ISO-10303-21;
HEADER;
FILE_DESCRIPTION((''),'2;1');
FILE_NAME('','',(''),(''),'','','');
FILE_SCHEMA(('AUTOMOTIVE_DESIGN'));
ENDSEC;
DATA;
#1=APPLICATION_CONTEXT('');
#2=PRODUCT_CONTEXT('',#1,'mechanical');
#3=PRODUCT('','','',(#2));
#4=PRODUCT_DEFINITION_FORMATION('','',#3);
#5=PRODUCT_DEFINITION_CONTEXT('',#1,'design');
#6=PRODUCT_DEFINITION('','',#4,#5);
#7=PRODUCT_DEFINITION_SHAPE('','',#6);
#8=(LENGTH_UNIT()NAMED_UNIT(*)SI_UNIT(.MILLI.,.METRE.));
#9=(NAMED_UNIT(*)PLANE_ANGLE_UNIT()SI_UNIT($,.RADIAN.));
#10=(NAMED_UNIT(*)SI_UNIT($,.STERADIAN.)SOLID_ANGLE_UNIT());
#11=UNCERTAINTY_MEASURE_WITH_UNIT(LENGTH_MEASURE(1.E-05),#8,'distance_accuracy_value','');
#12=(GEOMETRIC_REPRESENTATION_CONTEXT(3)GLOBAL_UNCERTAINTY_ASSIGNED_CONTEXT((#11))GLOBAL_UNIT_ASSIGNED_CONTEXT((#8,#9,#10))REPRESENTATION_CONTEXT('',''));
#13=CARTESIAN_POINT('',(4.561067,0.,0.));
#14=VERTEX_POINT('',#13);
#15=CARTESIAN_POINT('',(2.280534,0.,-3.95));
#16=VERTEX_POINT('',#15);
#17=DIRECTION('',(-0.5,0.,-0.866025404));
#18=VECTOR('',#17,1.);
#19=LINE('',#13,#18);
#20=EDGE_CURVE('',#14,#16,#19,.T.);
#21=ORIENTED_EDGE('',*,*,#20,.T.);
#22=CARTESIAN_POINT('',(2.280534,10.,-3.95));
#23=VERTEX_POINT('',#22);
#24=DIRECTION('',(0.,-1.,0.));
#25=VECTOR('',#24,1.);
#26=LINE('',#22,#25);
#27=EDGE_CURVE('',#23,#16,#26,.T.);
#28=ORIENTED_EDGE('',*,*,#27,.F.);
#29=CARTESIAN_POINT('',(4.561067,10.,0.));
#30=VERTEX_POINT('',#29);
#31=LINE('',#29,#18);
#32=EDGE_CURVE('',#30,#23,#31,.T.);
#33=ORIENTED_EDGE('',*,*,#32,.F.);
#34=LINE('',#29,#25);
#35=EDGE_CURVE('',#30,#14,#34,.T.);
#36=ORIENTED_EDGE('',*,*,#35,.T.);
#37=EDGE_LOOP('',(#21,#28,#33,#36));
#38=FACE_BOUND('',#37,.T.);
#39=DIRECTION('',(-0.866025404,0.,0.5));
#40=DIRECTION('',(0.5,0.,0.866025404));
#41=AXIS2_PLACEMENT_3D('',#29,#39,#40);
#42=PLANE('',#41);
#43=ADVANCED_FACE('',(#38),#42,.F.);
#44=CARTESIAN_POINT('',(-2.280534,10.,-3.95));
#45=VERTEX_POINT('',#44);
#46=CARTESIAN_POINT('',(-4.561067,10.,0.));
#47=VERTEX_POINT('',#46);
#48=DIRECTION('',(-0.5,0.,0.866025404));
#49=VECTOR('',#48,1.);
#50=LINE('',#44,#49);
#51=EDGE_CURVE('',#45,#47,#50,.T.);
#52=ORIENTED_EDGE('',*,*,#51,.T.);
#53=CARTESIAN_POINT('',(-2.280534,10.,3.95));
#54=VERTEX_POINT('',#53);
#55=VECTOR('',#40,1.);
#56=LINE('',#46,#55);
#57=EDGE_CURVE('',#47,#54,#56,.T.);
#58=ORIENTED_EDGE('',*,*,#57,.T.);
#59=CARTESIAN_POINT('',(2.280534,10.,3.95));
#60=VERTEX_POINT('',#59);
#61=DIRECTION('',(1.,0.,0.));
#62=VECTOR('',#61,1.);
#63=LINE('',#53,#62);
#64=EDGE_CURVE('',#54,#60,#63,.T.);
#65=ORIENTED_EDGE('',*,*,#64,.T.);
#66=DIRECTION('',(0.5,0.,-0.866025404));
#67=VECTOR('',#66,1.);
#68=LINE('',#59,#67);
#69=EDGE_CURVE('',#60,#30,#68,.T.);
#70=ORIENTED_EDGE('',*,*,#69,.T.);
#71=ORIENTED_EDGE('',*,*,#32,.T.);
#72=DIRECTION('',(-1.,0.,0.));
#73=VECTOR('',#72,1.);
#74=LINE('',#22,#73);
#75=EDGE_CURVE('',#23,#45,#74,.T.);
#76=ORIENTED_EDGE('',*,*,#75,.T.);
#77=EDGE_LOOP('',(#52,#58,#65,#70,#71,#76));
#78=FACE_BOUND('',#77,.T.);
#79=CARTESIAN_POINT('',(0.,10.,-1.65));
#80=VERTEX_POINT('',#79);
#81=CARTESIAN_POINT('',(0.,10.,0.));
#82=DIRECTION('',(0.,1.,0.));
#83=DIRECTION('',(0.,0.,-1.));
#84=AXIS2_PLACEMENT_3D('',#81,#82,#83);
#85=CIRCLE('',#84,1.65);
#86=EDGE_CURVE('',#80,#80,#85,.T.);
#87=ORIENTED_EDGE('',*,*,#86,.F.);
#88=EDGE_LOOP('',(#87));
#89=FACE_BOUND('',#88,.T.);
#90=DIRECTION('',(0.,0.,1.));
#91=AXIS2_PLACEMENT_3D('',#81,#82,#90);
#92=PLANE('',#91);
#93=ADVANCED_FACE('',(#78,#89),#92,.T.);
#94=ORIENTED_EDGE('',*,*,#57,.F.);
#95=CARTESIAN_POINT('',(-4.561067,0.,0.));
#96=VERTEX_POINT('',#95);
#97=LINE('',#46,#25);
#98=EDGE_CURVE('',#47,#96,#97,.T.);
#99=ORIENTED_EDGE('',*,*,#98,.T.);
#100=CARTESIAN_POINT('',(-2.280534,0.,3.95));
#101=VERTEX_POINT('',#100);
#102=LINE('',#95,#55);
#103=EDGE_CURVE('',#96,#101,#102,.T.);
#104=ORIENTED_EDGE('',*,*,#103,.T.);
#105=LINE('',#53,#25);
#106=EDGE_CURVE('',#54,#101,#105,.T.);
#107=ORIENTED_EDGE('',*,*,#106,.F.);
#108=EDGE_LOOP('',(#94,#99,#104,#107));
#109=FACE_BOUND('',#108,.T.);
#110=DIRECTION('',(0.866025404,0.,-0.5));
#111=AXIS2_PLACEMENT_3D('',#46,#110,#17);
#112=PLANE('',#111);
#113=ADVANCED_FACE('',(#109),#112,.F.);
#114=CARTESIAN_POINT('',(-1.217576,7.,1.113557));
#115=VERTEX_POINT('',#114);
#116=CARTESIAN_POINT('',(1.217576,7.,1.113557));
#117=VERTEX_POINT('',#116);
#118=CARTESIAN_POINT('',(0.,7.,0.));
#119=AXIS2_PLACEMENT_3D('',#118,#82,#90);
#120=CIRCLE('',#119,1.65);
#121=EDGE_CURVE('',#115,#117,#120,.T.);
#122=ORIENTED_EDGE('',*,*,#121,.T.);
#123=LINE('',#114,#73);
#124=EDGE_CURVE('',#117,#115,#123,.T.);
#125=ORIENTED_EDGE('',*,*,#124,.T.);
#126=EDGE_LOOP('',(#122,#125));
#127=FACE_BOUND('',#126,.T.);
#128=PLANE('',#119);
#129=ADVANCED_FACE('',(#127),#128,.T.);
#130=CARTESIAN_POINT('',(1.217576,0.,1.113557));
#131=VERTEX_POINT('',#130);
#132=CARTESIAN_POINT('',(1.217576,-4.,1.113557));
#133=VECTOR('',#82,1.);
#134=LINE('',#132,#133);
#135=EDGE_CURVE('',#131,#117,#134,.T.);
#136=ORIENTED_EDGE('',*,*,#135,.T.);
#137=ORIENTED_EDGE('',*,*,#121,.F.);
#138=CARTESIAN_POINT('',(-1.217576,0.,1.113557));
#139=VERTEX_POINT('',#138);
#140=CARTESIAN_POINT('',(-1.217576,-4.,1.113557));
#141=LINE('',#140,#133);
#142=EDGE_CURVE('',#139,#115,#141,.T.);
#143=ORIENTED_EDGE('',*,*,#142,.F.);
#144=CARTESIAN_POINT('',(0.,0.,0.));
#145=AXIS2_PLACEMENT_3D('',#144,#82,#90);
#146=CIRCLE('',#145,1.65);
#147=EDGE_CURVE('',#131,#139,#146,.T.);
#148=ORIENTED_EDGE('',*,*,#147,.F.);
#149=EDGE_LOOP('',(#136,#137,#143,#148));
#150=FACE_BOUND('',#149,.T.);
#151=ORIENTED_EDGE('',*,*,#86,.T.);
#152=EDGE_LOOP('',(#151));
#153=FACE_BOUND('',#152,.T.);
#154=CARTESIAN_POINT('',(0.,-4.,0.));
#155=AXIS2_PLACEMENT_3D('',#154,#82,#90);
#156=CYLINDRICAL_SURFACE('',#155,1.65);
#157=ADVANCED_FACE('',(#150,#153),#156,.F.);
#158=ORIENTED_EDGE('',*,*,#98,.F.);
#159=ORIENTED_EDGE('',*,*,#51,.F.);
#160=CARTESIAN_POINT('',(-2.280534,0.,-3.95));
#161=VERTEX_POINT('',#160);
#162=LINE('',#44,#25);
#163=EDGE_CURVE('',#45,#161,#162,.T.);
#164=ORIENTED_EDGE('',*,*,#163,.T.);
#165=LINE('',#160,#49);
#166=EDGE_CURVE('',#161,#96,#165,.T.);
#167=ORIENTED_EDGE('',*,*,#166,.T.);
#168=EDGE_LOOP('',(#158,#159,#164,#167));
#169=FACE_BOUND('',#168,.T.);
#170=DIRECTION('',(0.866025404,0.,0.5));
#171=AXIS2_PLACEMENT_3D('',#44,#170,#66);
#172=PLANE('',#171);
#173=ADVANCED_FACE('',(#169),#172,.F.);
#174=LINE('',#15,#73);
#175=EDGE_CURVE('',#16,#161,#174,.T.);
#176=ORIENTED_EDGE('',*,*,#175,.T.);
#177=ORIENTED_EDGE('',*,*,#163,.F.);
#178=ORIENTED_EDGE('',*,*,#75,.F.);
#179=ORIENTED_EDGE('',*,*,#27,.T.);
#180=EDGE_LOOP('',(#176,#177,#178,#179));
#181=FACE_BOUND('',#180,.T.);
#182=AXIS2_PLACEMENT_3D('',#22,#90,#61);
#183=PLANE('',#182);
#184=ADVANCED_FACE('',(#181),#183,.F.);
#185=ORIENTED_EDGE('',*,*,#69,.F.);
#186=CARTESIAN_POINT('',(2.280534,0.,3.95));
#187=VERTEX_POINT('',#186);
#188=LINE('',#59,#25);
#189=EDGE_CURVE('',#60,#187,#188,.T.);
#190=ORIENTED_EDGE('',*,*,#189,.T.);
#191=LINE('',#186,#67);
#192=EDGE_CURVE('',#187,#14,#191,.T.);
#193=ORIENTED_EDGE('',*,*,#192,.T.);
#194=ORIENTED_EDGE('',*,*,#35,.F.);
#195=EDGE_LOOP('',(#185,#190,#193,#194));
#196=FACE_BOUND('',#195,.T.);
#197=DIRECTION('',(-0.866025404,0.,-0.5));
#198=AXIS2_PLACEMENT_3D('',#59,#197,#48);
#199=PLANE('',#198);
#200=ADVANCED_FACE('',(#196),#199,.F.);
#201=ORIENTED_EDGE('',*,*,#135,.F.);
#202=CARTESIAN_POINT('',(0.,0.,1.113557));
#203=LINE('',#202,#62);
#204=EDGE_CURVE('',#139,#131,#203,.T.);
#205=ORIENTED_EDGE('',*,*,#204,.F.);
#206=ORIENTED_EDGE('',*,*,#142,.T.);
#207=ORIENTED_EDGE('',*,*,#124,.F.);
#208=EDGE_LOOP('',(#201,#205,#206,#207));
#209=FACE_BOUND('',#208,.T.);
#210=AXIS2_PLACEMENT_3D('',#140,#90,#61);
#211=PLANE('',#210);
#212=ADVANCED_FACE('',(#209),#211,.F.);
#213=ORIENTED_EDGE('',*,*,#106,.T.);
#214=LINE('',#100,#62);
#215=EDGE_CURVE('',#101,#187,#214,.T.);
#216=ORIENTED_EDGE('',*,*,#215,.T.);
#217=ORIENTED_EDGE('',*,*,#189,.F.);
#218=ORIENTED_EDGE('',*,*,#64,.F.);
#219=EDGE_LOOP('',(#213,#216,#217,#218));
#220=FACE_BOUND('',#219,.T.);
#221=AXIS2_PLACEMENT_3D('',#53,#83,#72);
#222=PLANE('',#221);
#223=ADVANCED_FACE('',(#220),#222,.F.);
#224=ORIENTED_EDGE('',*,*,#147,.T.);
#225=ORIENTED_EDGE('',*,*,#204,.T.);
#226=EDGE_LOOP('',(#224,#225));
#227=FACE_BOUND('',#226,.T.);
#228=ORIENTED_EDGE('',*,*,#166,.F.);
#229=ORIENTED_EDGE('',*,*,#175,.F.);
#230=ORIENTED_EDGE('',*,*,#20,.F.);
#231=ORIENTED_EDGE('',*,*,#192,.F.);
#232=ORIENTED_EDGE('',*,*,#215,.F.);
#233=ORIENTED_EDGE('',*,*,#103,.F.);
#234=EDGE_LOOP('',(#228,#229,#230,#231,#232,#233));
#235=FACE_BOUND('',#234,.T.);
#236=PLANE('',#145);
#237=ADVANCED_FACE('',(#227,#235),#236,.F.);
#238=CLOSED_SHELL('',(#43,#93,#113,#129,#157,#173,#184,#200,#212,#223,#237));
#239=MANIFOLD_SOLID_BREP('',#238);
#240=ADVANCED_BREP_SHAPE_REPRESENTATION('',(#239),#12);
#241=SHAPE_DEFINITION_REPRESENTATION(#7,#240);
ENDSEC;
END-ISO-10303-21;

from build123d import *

# Parameters (mm, degrees)
BOSS_EXTRUDE1_DEPTH = 10
CUT_EXTRUDE6_DEPTH  = 14
SKETCH11_R          = 1.65
CUT_EXTRUDE7_DEPTH  = 3


with BuildPart() as part:
    # Sketch1 → Boss-Extrude1 (new body)
    with BuildSketch(Plane(origin=(0, 0, 0), x_dir=(1, 0, 0), z_dir=(0, 1, 0))):
        Polygon((4.561067127, 0), (2.280533563, 3.95), (-2.280533563, 3.95), (-4.561067127, 0), (-2.280533563, -3.95), (2.280533563, -3.95), align=None)
    extrude(amount=BOSS_EXTRUDE1_DEPTH)

    # Sketch9 → Cut-Extrude6 (cut)
    with BuildSketch(Plane(origin=(0, 10, 0), x_dir=(1, 0, 0), z_dir=(0, 1, 0))):
        with BuildLine():
            Line((-1.217575979, -1.113556795), (1.217575979, -1.113556795))
            ThreePointArc((1.217575979, -1.113556795), (0, 1.65), (-1.217575979, -1.113556795))
        make_face()
    extrude(amount=-CUT_EXTRUDE6_DEPTH, mode=Mode.SUBTRACT)

    # Sketch11 → Cut-Extrude7 (cut)
    with BuildSketch(Plane(origin=(0, 10, 0), x_dir=(1, 0, 0), z_dir=(0, 1, 0))):
        with Locations(Location((0, 0, 0), (0, 0, 317.554942162))):
            Circle(SKETCH11_R)
    extrude(amount=-CUT_EXTRUDE7_DEPTH, mode=Mode.SUBTRACT)


solid = part.part
